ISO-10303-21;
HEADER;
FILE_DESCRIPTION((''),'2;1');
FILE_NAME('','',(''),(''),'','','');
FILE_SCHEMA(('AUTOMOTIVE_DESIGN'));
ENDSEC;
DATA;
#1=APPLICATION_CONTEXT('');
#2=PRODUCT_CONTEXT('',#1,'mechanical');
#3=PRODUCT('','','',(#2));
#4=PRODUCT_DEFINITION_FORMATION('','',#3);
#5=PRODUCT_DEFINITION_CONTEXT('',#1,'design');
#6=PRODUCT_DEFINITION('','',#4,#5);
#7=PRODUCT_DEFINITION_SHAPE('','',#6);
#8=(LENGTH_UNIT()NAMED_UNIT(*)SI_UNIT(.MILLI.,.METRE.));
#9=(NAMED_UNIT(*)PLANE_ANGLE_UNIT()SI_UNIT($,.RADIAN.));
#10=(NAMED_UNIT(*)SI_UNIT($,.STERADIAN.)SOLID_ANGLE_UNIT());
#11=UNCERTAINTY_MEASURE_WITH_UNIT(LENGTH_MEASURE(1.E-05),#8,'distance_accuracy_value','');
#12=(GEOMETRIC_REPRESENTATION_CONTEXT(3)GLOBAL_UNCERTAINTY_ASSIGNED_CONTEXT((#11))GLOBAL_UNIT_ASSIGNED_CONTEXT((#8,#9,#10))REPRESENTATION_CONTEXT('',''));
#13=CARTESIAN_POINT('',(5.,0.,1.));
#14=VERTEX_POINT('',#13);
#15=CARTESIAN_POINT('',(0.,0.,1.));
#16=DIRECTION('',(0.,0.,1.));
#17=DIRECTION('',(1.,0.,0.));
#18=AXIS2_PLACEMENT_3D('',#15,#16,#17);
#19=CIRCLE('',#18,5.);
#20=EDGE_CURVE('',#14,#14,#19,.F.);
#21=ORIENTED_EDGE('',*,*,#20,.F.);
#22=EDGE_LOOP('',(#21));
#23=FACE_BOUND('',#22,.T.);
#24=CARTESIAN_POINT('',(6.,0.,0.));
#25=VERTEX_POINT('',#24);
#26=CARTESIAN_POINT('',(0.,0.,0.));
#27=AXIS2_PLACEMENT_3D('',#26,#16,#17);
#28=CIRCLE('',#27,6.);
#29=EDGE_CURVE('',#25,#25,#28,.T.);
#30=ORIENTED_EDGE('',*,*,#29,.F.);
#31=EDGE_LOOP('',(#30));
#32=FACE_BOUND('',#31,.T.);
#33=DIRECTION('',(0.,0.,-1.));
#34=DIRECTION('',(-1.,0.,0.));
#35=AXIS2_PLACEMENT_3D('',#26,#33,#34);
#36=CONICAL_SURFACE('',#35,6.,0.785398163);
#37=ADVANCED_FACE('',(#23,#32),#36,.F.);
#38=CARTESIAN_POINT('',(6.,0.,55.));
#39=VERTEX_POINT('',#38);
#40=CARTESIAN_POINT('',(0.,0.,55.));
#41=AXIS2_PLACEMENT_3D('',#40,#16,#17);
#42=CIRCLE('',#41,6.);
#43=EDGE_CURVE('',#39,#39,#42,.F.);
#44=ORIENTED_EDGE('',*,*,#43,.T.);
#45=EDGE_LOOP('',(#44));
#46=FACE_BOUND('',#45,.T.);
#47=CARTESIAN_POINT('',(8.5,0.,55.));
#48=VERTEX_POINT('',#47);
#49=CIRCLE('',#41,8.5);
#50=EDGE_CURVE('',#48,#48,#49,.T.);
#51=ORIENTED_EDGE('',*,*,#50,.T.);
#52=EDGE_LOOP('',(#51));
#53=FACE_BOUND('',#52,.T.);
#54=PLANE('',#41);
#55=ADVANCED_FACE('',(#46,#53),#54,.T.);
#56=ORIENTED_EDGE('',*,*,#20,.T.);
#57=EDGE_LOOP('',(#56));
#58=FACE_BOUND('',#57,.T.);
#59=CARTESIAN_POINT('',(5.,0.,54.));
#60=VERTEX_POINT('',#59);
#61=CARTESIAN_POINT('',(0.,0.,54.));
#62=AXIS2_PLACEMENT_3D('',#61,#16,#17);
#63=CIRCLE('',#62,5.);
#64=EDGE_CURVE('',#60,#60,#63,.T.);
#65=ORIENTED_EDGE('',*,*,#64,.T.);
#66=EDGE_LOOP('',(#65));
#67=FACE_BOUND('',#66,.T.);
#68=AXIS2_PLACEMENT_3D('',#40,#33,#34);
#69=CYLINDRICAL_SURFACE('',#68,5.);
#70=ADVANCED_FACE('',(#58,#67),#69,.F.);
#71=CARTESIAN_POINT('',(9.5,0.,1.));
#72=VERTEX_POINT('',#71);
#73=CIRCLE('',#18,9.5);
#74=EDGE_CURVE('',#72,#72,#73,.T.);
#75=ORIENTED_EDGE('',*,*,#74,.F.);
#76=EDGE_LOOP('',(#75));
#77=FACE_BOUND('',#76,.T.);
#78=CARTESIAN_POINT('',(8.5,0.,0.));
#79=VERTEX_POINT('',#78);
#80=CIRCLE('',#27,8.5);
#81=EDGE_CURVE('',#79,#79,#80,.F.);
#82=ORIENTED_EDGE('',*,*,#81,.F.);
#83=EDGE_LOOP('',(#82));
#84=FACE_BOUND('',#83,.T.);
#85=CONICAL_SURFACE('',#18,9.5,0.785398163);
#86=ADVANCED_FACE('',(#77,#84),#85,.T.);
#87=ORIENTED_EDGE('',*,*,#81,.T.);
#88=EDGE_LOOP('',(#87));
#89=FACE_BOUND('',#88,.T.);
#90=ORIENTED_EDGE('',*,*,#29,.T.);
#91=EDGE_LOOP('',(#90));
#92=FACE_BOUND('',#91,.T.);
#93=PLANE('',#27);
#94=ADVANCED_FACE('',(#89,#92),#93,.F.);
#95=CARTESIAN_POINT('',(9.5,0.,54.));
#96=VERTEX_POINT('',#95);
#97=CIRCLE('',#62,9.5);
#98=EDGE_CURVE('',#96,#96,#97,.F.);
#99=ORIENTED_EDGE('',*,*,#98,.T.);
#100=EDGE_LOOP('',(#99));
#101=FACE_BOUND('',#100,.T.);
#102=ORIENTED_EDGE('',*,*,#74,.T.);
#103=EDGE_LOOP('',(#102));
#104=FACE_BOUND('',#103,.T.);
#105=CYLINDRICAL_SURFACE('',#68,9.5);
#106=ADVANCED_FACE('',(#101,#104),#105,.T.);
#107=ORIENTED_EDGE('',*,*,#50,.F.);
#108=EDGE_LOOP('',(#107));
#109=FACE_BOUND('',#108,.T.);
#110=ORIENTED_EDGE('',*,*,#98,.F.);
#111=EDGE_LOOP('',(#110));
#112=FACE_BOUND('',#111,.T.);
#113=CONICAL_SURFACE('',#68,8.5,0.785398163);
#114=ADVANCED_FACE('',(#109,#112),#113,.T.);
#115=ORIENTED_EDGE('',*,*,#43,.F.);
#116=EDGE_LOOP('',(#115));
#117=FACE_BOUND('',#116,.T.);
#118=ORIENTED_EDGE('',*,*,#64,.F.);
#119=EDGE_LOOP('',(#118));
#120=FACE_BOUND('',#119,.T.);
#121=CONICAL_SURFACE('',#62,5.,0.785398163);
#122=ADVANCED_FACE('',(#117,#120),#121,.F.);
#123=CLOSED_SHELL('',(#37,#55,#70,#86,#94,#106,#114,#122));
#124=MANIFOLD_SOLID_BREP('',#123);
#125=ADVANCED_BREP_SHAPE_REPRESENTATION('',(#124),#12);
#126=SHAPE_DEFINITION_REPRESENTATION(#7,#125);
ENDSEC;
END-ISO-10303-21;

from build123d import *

# Parameters (mm, degrees)
SKETCH_1_R      = 9.5
SKETCH_1_R_2    = 5
EXTRUDE_1_DEPTH = 55
CHAMFER_1_SIZE  = 1


with BuildPart() as part:
    # Эскиз1 → Бобышка-Вытянуть1 (new body)
    with BuildSketch(Plane.XY):
        Circle(SKETCH_1_R)
        Circle(SKETCH_1_R_2, mode=Mode.SUBTRACT)
    extrude(amount=EXTRUDE_1_DEPTH)

    # Фаска1
    chamfer_1_edges = [part.edges().sort_by_distance(p)[0] for p in [
        (-9.5, 0, 0),
        (-9.5, 0, 55),
        (-5, 0, 0),
        (-5, 0, 55),
    ]]
    chamfer(chamfer_1_edges, length=CHAMFER_1_SIZE)


solid = part.part
